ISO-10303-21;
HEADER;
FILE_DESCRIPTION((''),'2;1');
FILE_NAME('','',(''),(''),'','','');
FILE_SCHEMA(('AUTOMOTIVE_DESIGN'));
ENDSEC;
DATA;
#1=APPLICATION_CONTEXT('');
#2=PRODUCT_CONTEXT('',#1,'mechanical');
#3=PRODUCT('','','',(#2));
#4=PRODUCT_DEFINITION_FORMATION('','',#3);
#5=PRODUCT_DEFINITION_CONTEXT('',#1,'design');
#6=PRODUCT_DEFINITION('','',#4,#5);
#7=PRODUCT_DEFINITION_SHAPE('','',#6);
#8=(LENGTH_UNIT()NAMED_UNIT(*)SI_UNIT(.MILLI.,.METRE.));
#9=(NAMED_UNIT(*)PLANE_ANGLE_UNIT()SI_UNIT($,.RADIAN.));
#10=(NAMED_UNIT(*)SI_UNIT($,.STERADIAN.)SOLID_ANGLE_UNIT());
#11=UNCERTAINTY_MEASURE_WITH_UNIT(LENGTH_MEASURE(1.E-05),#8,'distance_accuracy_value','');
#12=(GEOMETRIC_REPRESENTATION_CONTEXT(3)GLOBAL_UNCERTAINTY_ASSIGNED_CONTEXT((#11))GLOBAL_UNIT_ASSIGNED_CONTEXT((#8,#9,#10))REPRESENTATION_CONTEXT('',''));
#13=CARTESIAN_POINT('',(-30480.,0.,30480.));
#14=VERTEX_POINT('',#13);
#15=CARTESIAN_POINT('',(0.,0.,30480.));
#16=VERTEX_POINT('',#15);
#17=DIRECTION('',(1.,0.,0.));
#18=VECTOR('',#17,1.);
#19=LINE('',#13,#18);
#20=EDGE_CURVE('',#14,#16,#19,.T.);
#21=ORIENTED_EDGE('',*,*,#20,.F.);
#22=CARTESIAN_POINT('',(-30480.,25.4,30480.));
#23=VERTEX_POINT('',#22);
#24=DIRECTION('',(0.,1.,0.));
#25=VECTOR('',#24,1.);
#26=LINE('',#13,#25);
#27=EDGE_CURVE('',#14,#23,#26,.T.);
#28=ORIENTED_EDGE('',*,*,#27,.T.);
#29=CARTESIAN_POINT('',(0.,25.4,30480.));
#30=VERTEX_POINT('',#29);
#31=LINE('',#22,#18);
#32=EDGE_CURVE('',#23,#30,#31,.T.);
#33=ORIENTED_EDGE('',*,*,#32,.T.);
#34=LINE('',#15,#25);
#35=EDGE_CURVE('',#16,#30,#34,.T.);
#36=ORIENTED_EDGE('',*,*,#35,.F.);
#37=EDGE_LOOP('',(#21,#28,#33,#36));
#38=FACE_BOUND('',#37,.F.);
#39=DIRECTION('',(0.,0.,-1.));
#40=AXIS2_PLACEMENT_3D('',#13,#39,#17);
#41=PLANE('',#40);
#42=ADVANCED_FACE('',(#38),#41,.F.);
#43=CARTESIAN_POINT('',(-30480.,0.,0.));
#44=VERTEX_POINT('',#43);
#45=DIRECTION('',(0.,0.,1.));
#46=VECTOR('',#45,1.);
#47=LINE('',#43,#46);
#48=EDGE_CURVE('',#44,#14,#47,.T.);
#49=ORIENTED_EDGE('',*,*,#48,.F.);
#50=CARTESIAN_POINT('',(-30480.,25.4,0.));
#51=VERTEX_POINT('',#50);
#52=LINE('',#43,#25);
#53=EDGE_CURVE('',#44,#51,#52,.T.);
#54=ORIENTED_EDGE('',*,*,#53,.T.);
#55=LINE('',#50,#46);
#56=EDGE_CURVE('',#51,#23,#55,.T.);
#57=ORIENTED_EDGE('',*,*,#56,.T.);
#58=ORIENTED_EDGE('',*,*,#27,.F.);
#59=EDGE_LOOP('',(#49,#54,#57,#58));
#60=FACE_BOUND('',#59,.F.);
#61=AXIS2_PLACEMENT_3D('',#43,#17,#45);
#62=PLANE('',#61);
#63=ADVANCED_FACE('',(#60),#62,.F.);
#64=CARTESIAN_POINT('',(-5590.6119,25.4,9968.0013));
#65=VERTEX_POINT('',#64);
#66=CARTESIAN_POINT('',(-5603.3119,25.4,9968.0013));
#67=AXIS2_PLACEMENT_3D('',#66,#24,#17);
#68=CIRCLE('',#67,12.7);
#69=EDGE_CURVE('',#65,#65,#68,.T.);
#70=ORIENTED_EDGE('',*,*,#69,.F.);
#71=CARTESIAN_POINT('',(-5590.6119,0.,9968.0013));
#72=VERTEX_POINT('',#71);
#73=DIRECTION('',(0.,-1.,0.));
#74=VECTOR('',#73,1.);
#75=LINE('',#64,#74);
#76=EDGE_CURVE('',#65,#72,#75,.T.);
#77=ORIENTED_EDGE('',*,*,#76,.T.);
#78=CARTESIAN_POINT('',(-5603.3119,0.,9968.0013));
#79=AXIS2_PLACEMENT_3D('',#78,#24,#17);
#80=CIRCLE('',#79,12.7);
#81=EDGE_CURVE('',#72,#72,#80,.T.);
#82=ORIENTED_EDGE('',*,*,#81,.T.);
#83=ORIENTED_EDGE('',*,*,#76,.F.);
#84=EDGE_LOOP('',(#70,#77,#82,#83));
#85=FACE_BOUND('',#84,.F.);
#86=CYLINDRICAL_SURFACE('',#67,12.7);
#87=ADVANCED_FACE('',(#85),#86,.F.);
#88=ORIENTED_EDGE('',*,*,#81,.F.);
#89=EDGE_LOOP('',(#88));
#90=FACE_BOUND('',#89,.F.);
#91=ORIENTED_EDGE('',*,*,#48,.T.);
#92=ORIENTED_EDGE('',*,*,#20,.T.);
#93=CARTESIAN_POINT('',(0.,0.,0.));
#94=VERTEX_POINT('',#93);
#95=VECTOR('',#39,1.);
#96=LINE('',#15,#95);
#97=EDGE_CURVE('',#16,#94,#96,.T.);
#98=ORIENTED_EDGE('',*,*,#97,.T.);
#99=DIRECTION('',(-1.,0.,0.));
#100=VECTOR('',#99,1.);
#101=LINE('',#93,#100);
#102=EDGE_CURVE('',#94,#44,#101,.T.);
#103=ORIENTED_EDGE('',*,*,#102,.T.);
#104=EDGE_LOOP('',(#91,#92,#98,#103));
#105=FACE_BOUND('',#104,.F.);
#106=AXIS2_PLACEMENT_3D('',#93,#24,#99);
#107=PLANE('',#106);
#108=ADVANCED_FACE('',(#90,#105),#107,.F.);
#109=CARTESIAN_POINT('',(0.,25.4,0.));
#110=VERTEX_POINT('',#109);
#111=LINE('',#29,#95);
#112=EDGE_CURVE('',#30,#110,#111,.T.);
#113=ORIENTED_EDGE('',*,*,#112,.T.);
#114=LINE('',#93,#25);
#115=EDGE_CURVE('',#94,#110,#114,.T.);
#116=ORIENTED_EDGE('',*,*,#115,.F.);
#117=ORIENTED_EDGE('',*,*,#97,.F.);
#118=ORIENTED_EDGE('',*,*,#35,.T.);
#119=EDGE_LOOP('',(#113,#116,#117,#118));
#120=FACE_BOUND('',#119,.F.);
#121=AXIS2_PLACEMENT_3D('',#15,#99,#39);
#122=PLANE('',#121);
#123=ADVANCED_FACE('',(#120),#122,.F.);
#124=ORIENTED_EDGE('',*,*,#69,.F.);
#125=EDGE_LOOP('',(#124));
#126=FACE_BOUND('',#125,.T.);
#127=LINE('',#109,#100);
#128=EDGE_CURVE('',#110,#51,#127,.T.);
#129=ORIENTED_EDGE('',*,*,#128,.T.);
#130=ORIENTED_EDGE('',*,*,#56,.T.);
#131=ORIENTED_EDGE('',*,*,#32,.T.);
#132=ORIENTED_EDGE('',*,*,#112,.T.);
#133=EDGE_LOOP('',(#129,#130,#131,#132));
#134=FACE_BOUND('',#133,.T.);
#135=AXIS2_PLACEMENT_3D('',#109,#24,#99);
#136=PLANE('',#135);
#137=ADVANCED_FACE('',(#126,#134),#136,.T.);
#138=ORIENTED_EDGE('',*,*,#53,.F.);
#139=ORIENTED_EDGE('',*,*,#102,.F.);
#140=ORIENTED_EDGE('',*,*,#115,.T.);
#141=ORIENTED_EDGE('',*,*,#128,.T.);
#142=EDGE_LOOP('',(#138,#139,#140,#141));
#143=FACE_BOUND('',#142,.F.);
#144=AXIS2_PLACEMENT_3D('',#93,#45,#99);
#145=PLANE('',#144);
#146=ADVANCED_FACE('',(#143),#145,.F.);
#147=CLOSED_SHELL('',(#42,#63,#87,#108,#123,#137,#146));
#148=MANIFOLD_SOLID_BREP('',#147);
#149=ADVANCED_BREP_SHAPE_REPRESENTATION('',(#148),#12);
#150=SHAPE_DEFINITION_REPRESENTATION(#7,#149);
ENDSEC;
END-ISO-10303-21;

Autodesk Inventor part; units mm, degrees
ref_plane "YZ Plane" through (0, 0, 0) normal (1, 0, 0) x (0, 1, 0)
ref_plane "XZ Plane" through (0, 0, 0) normal (0, 1, 0) x (-1, 0, 0)
ref_plane "XY Plane" through (0, 0, 0) normal (0, 0, 1) x (1, 0, 0)
sketch "Sketch1" plane through (0, 0, 0) normal (0, 1, 0) x (-1, 0, 0)
  line L0 (0, 0) -> (30480, 0)
  line L1 (30480, 0) -> (30480, 30480)
  line L2 (30480, 30480) -> (0, 30480)
  line L3 (0, 30480) -> (0, 0)
  dimension "d0" = 30480
  dimension "d1" = 30480
extrude "Extrusion1" add sketch "Sketch1" along normal blind 25.4
sketch "Sketch2" plane through (0, 25.4, 0) normal (0, 1, 0) x (1, 0, 0)
  circle A0 centre (-5603.3119, -9968.0013) radius 12.7
  dimension "d4" = 25.4
extrude "Extrusion2" cut sketch "Sketch2" against normal blind 25.4
properties part number "plat"
